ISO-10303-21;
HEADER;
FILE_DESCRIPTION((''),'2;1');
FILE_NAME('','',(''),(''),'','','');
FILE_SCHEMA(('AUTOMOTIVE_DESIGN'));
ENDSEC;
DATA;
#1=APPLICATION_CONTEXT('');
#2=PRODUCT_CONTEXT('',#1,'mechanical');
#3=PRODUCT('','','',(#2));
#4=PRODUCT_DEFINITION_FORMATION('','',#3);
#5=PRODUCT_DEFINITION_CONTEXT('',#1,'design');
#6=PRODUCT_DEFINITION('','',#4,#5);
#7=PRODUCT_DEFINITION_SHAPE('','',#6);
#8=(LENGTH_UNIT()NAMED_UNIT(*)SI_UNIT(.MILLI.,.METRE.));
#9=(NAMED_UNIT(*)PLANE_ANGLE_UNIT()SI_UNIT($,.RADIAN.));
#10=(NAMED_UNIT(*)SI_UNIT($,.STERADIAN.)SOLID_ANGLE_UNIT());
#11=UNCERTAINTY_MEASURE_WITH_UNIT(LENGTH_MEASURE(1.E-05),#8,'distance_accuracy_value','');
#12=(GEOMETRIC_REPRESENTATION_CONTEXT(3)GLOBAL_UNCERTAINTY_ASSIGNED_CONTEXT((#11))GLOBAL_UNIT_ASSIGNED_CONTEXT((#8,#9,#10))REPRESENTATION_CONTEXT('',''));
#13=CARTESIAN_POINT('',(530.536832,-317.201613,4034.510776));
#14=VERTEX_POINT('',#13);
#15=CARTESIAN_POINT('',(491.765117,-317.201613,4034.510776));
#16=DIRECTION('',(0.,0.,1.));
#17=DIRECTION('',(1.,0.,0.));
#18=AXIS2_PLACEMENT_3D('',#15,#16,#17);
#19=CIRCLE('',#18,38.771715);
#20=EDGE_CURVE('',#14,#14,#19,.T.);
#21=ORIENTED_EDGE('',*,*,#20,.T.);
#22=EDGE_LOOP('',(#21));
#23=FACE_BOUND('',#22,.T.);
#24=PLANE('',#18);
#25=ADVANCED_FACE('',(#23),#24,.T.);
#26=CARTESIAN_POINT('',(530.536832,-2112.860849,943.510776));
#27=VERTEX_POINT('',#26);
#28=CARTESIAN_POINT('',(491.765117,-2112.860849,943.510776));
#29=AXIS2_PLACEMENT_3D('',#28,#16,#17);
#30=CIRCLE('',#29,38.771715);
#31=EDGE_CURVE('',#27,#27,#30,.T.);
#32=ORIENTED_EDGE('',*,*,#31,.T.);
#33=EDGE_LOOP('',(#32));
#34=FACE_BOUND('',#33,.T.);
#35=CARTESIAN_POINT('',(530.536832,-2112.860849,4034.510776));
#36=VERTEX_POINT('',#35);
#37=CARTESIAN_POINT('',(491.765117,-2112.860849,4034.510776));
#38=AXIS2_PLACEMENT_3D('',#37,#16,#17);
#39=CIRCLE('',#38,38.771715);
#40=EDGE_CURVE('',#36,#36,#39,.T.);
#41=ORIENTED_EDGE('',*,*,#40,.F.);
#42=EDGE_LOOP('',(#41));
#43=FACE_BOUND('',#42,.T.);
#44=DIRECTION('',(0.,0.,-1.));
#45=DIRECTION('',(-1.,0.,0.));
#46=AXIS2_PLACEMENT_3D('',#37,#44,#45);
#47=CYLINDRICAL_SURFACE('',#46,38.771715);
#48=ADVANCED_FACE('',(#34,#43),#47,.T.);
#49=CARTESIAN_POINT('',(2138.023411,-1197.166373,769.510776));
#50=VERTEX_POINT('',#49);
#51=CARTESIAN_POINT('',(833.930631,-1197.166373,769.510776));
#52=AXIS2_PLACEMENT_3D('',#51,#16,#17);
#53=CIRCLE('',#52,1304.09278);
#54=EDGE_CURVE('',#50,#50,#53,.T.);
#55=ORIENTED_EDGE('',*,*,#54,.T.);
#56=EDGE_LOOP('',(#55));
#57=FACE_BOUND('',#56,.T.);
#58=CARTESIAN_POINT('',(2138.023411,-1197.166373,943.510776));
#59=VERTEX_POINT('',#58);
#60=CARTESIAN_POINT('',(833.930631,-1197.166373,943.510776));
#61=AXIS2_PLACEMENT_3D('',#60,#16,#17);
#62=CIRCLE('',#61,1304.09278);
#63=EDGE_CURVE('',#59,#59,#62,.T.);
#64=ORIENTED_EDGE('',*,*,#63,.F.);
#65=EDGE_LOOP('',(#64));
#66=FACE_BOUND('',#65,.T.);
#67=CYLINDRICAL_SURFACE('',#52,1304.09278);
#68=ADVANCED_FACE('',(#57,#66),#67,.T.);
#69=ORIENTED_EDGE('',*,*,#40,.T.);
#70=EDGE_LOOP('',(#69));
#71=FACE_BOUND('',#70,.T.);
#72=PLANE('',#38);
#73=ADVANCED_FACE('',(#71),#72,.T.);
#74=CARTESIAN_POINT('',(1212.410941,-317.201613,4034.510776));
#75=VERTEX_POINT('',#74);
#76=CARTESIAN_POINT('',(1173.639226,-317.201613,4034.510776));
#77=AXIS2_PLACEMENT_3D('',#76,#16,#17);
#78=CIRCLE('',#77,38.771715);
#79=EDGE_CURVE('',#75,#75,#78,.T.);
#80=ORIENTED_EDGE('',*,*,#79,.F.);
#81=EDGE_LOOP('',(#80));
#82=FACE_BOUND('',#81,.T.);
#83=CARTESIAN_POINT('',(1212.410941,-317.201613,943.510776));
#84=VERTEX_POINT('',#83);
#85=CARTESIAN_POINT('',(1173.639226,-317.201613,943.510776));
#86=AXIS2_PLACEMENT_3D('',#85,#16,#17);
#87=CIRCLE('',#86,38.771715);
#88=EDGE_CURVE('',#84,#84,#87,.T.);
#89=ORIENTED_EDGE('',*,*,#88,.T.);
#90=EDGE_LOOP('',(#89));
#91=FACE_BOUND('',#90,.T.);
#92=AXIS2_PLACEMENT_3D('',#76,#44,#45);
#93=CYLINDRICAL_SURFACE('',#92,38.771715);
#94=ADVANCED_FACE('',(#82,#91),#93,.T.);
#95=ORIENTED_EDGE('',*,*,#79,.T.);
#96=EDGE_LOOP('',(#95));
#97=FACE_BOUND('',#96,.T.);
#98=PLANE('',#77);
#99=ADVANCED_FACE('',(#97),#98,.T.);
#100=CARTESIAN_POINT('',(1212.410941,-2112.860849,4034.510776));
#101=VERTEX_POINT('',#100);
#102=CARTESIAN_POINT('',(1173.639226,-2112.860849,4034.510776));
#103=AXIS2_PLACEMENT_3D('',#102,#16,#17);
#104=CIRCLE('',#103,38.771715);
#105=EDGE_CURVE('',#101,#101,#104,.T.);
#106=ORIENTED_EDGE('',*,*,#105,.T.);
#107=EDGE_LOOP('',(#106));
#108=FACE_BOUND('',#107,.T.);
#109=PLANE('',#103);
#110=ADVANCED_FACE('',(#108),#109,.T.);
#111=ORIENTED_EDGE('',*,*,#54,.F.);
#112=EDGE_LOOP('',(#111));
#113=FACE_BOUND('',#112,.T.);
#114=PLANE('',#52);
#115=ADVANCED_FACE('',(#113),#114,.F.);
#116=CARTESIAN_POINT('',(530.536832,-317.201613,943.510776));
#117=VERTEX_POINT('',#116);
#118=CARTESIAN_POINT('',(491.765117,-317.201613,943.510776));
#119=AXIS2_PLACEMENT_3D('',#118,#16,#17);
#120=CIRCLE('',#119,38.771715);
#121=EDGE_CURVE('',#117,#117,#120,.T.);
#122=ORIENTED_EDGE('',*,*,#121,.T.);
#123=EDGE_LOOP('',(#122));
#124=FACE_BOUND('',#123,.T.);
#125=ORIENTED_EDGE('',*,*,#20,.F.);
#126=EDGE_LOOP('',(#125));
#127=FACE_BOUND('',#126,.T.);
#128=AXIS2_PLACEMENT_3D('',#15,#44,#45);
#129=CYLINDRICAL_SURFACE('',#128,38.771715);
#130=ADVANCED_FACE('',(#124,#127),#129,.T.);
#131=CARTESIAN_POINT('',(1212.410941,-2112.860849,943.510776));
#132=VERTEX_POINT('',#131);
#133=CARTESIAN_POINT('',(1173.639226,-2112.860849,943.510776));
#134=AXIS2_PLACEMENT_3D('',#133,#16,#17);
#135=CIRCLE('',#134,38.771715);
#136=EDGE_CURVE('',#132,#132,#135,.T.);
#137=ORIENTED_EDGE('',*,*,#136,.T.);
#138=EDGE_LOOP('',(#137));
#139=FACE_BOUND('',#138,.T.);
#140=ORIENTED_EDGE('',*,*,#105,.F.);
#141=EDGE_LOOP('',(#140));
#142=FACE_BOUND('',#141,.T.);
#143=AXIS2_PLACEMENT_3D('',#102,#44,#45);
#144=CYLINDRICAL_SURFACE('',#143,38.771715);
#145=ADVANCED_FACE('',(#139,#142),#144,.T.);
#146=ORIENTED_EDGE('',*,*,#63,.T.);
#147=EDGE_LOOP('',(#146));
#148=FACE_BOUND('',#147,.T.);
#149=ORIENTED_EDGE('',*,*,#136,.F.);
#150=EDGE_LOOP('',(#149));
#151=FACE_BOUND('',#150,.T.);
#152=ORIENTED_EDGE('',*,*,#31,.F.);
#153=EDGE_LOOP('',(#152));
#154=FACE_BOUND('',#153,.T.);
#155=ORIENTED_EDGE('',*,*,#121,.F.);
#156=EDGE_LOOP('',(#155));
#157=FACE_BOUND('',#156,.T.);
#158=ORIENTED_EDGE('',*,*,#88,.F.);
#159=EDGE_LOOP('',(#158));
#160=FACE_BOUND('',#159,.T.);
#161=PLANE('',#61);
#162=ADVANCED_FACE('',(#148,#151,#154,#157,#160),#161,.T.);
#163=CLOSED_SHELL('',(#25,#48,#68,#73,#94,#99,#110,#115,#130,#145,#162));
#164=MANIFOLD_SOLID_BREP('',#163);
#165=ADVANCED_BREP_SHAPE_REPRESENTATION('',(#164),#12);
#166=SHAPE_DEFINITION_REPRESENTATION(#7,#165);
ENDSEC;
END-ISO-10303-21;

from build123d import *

# Parameters (mm, degrees)
SKETCH1_R           = 1304.092779863
BOSS_EXTRUDE1_DEPTH = 174
SKETCH3_R           = 38.771715285
SKETCH3_R_2         = 38.771715
BOSS_EXTRUDE2_DEPTH = 3091


with BuildPart() as part:
    # Sketch1 → Boss-Extrude1 (new body)
    with BuildSketch(Plane.XY.offset(943.510776168)):
        with Locations((833.930631376, -1197.16637306)):
            Circle(SKETCH1_R)
    extrude(amount=-BOSS_EXTRUDE1_DEPTH)

    # Sketch3 → Boss-Extrude2 (add)
    with BuildSketch(Plane.XY.offset(943.510776168)):
        with Locations((1173.639225527, -317.201613393)):
            Circle(SKETCH3_R)
        with Locations((491.765116758, -317.201613393)):
            Circle(SKETCH3_R_2)
        with Locations((491.765116758, -2112.860849235)):
            Circle(SKETCH3_R_2)
        with Locations((1173.639225527, -2112.860849235)):
            Circle(SKETCH3_R_2)
    extrude(amount=BOSS_EXTRUDE2_DEPTH)


solid = part.part
